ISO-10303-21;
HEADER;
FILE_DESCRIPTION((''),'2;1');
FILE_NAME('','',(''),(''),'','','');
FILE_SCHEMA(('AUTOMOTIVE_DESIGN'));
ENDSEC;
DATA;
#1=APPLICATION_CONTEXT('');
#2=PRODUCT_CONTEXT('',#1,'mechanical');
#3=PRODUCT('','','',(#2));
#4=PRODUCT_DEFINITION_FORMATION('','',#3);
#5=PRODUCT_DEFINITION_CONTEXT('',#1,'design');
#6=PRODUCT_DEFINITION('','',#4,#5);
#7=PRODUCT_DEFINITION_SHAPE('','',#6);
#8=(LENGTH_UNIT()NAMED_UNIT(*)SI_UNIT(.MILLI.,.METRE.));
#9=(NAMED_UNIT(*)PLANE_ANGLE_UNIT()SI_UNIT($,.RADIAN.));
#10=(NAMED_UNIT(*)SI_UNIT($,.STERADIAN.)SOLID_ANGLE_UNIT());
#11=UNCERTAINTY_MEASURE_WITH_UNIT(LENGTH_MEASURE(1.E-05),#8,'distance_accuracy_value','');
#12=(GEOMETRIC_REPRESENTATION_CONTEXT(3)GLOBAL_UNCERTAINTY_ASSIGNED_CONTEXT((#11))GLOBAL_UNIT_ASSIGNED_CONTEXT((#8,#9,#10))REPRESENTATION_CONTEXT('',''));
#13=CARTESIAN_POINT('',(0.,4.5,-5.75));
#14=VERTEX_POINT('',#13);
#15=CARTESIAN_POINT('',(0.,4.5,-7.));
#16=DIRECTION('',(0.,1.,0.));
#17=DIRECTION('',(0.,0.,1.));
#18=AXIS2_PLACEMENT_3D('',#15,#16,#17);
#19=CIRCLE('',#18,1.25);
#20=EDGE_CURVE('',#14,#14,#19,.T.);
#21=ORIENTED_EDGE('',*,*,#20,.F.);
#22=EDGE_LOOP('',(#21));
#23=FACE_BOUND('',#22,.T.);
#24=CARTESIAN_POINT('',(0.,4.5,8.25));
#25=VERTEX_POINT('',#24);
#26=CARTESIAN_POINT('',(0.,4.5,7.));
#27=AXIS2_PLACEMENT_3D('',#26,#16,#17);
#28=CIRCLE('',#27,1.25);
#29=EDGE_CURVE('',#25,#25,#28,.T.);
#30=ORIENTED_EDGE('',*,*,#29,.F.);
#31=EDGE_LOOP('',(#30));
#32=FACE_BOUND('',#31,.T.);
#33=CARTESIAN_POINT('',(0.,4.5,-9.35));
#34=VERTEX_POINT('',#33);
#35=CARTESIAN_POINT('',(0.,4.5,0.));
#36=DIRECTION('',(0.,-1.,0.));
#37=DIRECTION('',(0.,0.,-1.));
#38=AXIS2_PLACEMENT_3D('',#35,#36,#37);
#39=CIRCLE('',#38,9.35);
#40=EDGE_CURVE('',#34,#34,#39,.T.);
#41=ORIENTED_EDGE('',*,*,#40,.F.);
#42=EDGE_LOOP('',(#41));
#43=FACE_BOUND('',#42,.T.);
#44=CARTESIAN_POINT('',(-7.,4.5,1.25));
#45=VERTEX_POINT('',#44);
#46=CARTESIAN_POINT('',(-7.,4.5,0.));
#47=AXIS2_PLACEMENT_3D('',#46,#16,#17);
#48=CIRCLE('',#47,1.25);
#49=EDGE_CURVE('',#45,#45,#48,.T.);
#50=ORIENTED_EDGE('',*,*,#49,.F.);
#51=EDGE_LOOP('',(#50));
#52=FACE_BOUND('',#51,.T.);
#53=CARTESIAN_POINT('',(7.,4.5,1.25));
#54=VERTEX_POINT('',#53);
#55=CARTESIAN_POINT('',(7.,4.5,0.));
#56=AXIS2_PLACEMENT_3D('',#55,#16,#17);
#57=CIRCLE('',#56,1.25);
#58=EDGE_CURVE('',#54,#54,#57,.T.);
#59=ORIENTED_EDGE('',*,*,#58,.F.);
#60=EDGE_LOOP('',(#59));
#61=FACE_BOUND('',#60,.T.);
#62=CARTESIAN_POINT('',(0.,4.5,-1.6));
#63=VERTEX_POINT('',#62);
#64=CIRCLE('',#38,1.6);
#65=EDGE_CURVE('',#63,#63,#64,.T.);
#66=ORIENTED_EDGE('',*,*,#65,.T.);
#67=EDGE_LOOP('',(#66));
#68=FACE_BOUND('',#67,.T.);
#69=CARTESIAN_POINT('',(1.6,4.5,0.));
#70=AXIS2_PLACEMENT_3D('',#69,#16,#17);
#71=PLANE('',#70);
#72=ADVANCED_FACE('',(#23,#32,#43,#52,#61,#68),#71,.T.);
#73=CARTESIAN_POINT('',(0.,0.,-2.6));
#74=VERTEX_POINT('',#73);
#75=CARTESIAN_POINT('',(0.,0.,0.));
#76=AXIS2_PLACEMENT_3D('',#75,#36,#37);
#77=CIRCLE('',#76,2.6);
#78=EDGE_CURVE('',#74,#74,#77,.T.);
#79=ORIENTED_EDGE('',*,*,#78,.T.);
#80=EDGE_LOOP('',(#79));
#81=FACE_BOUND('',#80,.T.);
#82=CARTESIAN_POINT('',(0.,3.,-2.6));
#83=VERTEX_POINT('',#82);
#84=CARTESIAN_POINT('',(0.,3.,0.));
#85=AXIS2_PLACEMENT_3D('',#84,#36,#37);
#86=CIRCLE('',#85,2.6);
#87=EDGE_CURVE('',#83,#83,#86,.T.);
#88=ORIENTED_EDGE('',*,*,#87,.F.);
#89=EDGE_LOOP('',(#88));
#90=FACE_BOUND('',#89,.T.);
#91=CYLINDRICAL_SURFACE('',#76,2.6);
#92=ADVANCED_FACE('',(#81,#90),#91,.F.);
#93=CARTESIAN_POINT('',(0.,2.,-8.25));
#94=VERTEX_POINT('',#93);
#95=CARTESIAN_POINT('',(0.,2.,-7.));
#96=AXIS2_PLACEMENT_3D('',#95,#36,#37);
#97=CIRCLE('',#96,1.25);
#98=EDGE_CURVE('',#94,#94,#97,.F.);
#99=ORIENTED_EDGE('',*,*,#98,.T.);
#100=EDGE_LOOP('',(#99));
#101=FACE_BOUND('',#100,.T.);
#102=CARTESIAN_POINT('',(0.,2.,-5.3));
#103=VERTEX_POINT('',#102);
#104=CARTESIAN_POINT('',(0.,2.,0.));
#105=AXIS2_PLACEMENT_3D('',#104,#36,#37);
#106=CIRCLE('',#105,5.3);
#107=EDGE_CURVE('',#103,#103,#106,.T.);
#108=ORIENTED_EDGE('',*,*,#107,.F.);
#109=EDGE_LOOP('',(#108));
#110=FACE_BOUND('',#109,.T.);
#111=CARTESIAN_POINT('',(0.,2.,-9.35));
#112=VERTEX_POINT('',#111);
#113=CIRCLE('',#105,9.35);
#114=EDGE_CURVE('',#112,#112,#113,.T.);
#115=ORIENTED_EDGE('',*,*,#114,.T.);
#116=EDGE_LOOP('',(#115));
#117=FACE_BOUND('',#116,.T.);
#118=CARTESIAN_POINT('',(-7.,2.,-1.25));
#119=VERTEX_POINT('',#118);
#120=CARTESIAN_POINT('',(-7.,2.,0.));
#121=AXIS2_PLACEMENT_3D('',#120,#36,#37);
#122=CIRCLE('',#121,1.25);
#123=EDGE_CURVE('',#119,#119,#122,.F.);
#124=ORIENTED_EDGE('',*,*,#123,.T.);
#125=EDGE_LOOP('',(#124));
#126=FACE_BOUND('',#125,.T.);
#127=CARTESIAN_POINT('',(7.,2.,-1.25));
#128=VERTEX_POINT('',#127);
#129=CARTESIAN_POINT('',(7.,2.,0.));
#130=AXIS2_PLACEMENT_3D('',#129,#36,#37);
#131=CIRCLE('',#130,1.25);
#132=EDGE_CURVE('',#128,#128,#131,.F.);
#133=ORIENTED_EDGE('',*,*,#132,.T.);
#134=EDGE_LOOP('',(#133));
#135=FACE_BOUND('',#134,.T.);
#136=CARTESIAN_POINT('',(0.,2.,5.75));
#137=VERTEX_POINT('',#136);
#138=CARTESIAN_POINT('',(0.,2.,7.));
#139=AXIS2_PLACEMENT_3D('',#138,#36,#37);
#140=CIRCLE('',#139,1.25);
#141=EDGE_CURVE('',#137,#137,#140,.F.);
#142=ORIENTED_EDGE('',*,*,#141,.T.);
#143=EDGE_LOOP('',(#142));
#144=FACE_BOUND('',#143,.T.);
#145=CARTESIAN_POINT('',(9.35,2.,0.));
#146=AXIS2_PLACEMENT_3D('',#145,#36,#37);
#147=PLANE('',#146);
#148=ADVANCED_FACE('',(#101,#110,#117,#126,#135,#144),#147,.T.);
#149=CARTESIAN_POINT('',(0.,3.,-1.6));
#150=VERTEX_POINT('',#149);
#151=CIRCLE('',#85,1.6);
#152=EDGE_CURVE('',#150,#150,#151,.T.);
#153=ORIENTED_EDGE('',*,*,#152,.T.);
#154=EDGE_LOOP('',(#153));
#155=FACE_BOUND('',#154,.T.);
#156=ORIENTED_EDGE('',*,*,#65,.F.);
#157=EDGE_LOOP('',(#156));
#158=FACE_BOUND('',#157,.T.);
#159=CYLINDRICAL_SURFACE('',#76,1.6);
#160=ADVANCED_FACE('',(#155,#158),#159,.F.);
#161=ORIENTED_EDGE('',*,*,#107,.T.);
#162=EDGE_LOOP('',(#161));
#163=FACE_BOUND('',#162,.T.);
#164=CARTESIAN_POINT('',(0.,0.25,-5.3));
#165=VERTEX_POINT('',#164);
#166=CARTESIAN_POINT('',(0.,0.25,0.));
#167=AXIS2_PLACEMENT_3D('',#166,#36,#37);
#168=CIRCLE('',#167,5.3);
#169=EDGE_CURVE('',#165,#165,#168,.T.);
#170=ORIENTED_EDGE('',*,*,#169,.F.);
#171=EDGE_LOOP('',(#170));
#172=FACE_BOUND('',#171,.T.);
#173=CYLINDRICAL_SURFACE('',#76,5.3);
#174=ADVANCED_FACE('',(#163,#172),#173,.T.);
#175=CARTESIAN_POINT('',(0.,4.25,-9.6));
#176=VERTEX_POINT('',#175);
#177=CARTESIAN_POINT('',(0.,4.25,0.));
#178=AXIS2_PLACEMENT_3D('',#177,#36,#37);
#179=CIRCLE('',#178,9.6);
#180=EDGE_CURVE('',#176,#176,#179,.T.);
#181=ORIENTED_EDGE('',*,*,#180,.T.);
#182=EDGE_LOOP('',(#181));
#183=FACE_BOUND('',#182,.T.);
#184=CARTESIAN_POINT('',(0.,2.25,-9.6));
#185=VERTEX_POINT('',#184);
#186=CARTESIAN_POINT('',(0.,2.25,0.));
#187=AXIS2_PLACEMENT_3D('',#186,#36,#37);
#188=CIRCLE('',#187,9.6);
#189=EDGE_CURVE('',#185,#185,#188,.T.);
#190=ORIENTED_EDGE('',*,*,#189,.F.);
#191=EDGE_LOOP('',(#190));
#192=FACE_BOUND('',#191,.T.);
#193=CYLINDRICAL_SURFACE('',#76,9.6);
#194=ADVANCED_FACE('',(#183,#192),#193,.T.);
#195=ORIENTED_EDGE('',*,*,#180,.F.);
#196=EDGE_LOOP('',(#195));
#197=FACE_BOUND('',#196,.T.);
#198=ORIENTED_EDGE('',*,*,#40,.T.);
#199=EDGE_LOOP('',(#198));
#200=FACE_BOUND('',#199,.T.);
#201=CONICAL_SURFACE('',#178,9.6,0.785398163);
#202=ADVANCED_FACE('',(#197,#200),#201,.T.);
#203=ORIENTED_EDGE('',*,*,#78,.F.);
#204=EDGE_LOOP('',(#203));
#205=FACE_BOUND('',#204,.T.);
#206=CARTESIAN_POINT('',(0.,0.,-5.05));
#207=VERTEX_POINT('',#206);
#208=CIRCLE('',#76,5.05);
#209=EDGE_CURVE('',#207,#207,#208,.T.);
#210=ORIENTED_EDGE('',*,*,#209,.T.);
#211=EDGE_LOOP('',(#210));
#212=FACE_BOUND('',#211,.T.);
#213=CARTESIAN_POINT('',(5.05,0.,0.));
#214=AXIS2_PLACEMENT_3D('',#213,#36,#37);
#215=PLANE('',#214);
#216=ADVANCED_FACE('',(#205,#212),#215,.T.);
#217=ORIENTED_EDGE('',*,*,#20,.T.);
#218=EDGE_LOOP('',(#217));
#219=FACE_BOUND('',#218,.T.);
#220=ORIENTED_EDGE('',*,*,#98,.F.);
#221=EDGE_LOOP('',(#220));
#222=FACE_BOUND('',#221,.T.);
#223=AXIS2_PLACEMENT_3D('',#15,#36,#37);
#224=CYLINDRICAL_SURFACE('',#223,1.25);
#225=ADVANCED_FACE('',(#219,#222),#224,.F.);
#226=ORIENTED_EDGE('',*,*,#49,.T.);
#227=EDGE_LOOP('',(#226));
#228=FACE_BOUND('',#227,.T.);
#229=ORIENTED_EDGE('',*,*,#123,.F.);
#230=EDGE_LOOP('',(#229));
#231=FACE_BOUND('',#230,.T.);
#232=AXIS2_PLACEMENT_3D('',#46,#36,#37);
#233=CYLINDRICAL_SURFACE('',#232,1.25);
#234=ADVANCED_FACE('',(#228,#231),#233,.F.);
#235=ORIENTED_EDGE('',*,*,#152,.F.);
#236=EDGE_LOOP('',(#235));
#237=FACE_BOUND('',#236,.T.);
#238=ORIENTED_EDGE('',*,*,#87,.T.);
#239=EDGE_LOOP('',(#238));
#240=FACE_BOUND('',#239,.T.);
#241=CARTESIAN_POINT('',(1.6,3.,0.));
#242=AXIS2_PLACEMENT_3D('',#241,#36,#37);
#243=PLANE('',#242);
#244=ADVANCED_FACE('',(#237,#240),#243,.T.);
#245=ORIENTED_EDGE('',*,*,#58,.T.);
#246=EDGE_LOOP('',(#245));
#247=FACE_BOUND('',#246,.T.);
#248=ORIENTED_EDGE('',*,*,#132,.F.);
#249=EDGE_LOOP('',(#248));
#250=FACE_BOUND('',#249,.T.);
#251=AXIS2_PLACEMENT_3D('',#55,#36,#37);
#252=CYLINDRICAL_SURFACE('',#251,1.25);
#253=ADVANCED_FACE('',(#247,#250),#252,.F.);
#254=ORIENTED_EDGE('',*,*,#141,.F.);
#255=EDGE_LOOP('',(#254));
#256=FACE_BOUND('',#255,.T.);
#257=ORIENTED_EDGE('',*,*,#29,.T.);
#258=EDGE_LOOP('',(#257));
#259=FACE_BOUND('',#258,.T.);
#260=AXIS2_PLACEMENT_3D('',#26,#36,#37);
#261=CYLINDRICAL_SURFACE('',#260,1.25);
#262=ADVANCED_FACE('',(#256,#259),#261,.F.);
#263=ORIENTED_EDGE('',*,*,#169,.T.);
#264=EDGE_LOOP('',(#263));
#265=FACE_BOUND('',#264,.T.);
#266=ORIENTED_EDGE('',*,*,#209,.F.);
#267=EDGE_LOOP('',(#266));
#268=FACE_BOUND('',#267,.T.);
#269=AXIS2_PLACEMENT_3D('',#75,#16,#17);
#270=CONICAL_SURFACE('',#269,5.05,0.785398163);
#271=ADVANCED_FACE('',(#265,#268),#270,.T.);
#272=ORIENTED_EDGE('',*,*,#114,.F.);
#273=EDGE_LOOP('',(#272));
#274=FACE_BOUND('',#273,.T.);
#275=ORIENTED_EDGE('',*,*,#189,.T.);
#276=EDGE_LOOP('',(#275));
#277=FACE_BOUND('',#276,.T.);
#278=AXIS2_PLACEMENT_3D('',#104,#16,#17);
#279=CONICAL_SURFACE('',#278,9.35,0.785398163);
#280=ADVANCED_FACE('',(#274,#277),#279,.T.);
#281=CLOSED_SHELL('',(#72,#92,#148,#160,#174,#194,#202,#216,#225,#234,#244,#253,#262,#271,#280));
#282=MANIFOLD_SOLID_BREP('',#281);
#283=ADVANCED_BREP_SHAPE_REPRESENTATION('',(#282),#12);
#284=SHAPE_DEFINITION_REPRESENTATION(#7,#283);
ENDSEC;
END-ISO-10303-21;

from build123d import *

# Parameters (mm, degrees)
SKETCH2_R          = 1.25
CUT_EXTRUDE1_DEPTH = 15.302796929


with BuildPart() as part:
    # Sketch1 → Revolve1 (revolve)
    with BuildSketch(Plane.XY, mode=Mode.PRIVATE) as revolve1_sk:
        Polygon((1.6, 3), (1.6, 4.5), (9.35, 4.5), (9.6, 4.25), (9.6, 2.25), (9.35, 2), (5.3, 2), (5.3, 0.25), (5.05, 0), (2.6, 0), (2.6, 3), align=None)
    revolve(revolve1_sk.sketch.rotate(Axis((0, 0, 0), (0, 1, 0)), 90), axis=Axis((0, 0, 0), (0, 1, 0)))

    # Sketch2 → Cut-Extrude1 (cut, through all)
    with BuildSketch(Plane(origin=(0, 0, 0), x_dir=(1, 0, 0), z_dir=(0, 1, 0))):
        with Locations(Location((0, 7, 0), (0, 0, 90))):
            Circle(SKETCH2_R)
        with Locations(Location((0, -7, 0), (0, 0, 90))):
            Circle(SKETCH2_R)
        with Locations(Location((7, 0, 0), (0, 0, 90))):
            Circle(SKETCH2_R)
        with Locations(Location((-7, 0, 0), (0, 0, 90))):
            Circle(SKETCH2_R)
    extrude(amount=CUT_EXTRUDE1_DEPTH, mode=Mode.SUBTRACT)


solid = part.part
